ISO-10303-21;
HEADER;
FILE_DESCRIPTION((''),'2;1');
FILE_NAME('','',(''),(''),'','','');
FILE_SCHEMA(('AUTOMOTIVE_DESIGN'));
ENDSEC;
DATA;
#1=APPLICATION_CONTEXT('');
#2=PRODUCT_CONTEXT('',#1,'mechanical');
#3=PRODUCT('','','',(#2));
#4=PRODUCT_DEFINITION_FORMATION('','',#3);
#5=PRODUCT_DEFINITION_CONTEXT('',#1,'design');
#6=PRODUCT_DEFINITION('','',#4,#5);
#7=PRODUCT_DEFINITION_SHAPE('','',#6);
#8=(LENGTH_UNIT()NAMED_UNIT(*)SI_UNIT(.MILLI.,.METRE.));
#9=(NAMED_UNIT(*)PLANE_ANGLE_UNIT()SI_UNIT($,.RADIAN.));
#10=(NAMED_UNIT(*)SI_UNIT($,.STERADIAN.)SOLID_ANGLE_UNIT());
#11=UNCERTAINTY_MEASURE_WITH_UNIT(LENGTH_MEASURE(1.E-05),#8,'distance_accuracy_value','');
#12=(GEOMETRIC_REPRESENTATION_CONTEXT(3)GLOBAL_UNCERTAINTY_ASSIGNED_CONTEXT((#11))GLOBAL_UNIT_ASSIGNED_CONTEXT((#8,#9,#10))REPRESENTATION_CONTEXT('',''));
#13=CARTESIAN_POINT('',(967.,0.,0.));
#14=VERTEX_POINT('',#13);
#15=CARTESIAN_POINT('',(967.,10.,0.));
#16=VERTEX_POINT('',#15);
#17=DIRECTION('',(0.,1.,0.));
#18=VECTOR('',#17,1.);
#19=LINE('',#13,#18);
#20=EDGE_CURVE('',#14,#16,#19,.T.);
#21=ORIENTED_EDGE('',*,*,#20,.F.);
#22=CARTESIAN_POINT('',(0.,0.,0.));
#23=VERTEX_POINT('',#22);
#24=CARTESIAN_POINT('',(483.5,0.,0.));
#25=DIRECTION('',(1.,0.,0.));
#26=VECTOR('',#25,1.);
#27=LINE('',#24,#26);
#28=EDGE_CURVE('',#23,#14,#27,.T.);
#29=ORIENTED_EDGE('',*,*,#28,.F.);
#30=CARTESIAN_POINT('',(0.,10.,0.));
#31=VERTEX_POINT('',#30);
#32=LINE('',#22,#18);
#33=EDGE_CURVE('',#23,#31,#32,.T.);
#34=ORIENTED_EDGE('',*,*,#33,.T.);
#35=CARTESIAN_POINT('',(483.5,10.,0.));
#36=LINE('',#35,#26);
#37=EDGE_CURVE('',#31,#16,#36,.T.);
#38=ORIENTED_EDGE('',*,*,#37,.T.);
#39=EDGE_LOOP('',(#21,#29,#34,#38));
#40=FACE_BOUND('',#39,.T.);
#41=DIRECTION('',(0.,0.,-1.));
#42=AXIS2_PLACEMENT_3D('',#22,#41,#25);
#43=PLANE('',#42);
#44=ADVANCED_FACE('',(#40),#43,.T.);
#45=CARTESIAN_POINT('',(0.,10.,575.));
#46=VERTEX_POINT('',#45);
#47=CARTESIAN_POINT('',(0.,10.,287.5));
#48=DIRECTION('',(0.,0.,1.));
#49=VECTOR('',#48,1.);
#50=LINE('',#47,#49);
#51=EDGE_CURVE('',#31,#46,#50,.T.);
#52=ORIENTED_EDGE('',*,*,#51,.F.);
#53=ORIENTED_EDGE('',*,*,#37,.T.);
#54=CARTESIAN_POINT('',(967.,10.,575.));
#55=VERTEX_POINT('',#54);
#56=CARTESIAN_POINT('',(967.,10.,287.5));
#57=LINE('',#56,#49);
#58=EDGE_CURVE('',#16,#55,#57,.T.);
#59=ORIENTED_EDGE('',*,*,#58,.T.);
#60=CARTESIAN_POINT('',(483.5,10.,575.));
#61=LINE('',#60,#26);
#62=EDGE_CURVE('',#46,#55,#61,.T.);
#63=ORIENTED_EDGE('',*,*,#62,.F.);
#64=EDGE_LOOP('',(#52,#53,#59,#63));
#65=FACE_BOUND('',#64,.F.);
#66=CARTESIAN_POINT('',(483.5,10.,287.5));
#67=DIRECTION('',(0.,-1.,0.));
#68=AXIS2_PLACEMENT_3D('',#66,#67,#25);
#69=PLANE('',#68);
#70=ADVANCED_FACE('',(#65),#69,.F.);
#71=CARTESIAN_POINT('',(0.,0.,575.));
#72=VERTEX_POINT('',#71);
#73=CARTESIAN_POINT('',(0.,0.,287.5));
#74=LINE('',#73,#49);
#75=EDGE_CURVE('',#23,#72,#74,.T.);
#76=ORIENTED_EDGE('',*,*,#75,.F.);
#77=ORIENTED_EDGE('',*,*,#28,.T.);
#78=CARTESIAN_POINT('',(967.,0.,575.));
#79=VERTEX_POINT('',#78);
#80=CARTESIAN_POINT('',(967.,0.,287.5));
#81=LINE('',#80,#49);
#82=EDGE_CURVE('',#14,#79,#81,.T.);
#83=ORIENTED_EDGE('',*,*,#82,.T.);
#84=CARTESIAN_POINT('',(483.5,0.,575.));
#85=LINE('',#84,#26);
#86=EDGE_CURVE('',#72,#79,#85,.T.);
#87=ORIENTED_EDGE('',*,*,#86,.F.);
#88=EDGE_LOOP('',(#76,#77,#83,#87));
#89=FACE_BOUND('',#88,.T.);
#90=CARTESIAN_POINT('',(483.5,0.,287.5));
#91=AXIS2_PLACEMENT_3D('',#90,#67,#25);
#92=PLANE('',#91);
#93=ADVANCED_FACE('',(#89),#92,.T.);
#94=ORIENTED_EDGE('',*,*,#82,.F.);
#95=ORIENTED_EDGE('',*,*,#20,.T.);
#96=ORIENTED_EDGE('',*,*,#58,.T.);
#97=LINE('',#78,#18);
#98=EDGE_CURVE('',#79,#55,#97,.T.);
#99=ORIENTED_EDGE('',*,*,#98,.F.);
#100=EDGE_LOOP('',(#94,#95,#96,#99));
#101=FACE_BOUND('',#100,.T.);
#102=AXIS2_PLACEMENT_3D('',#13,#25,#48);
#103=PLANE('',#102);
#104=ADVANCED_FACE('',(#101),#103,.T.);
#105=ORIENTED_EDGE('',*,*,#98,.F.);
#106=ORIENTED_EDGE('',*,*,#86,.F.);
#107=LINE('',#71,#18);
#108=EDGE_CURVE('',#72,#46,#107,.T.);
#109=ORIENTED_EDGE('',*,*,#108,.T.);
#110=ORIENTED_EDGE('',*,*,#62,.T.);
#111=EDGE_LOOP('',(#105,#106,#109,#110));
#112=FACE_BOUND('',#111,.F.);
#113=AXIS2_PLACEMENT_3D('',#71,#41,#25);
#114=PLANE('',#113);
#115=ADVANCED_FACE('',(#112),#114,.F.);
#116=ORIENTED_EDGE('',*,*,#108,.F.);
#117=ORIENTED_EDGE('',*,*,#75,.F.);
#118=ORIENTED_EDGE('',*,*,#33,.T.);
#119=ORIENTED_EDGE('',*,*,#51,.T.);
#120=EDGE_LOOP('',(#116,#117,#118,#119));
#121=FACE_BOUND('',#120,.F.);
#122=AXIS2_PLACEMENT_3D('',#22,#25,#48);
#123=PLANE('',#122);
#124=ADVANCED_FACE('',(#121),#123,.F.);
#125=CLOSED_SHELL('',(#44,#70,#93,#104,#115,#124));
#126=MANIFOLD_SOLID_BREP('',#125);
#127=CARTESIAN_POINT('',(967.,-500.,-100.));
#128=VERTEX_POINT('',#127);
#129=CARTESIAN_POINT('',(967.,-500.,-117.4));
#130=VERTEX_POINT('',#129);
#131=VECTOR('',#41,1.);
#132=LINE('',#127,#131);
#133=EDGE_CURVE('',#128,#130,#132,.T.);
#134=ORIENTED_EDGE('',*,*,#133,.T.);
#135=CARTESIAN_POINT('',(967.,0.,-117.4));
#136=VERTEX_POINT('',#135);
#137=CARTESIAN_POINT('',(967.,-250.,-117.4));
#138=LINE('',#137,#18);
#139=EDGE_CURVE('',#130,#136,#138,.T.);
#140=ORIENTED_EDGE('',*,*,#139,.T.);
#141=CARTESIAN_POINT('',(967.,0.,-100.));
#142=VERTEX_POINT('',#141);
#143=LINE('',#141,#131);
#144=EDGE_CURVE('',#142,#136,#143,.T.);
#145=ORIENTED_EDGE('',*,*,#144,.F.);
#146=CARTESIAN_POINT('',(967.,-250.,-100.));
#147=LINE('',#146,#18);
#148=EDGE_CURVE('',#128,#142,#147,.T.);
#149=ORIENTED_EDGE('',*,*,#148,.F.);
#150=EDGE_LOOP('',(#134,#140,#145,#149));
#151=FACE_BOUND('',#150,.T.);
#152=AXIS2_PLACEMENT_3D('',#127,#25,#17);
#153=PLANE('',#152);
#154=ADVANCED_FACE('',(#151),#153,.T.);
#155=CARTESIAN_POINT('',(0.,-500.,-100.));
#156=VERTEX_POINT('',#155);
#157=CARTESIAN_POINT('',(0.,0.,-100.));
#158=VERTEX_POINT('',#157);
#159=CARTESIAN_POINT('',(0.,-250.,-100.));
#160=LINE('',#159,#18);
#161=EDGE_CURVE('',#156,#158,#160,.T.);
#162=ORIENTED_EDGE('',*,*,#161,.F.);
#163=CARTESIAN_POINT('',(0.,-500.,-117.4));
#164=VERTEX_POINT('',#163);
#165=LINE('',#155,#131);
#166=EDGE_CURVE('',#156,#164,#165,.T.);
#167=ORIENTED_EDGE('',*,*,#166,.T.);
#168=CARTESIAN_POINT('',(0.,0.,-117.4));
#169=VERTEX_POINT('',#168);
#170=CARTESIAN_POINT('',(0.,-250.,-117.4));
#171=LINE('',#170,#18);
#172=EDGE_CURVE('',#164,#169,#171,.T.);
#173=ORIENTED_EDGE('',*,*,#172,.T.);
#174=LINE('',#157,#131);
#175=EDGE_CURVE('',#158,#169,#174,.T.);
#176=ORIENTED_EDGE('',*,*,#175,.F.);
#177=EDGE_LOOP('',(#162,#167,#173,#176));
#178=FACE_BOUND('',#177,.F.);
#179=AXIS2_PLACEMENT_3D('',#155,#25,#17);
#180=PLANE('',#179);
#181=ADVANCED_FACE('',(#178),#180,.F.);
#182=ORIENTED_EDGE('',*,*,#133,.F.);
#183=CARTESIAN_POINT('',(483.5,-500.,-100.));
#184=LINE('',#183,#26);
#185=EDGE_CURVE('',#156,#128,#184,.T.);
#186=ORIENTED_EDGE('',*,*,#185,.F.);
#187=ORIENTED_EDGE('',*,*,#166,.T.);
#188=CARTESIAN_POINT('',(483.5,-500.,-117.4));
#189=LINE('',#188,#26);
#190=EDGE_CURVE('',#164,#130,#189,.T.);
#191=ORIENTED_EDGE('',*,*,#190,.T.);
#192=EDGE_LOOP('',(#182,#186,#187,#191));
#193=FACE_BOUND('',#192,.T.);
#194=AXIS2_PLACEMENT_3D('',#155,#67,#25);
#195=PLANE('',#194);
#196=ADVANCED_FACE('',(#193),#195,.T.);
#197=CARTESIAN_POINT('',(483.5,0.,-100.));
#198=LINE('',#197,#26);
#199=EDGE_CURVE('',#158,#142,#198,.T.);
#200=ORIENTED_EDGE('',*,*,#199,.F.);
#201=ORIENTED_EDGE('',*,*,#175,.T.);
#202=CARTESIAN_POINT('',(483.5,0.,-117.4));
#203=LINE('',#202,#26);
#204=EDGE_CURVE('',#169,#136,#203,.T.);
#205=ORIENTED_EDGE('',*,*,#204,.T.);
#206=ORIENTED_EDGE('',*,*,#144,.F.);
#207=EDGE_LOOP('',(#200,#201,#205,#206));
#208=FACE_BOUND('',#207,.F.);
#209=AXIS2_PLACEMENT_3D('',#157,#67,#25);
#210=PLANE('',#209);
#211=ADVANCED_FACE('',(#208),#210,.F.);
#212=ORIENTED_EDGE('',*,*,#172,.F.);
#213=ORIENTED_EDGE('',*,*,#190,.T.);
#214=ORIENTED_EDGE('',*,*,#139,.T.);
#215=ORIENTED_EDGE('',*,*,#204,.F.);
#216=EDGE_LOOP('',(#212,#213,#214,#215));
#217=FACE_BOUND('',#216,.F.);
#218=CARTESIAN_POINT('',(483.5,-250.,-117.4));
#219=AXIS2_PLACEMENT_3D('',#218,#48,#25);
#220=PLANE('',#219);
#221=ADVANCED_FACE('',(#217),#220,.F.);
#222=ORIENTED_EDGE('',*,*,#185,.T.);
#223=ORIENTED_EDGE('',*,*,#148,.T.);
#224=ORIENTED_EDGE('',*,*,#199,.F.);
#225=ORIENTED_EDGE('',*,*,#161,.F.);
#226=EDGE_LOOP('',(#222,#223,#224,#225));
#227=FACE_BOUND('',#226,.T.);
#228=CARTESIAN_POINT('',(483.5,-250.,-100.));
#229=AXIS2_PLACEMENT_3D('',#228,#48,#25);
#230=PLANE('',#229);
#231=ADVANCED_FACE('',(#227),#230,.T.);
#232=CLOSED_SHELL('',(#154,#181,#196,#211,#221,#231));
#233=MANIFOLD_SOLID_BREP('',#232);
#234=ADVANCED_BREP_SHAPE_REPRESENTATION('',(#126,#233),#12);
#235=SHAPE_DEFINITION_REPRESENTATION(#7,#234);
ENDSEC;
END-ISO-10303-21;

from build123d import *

# Parameters (mm, degrees)
F0_W     = 967
F0_H     = 575
F1_DEPTH = 10
F3_W     = 967
F3_H     = 500
F4_DEPTH = 17.4


with BuildPart() as f1:
    # F0 (on Front) → F1 (new body)
    with BuildSketch(Plane.XZ):
        with Locations((483.5, 287.5)):
            Rectangle(F0_W, F0_H)
    extrude(amount=-F1_DEPTH)


with BuildPart() as f4:
    # F3 (on offset) → F4 (new body)
    with BuildSketch(Plane.XY.offset(-100)):
        with Locations((483.5, -250)):
            Rectangle(F3_W, F3_H)
    extrude(amount=-F4_DEPTH)


solid = Compound([f1.part, f4.part])
